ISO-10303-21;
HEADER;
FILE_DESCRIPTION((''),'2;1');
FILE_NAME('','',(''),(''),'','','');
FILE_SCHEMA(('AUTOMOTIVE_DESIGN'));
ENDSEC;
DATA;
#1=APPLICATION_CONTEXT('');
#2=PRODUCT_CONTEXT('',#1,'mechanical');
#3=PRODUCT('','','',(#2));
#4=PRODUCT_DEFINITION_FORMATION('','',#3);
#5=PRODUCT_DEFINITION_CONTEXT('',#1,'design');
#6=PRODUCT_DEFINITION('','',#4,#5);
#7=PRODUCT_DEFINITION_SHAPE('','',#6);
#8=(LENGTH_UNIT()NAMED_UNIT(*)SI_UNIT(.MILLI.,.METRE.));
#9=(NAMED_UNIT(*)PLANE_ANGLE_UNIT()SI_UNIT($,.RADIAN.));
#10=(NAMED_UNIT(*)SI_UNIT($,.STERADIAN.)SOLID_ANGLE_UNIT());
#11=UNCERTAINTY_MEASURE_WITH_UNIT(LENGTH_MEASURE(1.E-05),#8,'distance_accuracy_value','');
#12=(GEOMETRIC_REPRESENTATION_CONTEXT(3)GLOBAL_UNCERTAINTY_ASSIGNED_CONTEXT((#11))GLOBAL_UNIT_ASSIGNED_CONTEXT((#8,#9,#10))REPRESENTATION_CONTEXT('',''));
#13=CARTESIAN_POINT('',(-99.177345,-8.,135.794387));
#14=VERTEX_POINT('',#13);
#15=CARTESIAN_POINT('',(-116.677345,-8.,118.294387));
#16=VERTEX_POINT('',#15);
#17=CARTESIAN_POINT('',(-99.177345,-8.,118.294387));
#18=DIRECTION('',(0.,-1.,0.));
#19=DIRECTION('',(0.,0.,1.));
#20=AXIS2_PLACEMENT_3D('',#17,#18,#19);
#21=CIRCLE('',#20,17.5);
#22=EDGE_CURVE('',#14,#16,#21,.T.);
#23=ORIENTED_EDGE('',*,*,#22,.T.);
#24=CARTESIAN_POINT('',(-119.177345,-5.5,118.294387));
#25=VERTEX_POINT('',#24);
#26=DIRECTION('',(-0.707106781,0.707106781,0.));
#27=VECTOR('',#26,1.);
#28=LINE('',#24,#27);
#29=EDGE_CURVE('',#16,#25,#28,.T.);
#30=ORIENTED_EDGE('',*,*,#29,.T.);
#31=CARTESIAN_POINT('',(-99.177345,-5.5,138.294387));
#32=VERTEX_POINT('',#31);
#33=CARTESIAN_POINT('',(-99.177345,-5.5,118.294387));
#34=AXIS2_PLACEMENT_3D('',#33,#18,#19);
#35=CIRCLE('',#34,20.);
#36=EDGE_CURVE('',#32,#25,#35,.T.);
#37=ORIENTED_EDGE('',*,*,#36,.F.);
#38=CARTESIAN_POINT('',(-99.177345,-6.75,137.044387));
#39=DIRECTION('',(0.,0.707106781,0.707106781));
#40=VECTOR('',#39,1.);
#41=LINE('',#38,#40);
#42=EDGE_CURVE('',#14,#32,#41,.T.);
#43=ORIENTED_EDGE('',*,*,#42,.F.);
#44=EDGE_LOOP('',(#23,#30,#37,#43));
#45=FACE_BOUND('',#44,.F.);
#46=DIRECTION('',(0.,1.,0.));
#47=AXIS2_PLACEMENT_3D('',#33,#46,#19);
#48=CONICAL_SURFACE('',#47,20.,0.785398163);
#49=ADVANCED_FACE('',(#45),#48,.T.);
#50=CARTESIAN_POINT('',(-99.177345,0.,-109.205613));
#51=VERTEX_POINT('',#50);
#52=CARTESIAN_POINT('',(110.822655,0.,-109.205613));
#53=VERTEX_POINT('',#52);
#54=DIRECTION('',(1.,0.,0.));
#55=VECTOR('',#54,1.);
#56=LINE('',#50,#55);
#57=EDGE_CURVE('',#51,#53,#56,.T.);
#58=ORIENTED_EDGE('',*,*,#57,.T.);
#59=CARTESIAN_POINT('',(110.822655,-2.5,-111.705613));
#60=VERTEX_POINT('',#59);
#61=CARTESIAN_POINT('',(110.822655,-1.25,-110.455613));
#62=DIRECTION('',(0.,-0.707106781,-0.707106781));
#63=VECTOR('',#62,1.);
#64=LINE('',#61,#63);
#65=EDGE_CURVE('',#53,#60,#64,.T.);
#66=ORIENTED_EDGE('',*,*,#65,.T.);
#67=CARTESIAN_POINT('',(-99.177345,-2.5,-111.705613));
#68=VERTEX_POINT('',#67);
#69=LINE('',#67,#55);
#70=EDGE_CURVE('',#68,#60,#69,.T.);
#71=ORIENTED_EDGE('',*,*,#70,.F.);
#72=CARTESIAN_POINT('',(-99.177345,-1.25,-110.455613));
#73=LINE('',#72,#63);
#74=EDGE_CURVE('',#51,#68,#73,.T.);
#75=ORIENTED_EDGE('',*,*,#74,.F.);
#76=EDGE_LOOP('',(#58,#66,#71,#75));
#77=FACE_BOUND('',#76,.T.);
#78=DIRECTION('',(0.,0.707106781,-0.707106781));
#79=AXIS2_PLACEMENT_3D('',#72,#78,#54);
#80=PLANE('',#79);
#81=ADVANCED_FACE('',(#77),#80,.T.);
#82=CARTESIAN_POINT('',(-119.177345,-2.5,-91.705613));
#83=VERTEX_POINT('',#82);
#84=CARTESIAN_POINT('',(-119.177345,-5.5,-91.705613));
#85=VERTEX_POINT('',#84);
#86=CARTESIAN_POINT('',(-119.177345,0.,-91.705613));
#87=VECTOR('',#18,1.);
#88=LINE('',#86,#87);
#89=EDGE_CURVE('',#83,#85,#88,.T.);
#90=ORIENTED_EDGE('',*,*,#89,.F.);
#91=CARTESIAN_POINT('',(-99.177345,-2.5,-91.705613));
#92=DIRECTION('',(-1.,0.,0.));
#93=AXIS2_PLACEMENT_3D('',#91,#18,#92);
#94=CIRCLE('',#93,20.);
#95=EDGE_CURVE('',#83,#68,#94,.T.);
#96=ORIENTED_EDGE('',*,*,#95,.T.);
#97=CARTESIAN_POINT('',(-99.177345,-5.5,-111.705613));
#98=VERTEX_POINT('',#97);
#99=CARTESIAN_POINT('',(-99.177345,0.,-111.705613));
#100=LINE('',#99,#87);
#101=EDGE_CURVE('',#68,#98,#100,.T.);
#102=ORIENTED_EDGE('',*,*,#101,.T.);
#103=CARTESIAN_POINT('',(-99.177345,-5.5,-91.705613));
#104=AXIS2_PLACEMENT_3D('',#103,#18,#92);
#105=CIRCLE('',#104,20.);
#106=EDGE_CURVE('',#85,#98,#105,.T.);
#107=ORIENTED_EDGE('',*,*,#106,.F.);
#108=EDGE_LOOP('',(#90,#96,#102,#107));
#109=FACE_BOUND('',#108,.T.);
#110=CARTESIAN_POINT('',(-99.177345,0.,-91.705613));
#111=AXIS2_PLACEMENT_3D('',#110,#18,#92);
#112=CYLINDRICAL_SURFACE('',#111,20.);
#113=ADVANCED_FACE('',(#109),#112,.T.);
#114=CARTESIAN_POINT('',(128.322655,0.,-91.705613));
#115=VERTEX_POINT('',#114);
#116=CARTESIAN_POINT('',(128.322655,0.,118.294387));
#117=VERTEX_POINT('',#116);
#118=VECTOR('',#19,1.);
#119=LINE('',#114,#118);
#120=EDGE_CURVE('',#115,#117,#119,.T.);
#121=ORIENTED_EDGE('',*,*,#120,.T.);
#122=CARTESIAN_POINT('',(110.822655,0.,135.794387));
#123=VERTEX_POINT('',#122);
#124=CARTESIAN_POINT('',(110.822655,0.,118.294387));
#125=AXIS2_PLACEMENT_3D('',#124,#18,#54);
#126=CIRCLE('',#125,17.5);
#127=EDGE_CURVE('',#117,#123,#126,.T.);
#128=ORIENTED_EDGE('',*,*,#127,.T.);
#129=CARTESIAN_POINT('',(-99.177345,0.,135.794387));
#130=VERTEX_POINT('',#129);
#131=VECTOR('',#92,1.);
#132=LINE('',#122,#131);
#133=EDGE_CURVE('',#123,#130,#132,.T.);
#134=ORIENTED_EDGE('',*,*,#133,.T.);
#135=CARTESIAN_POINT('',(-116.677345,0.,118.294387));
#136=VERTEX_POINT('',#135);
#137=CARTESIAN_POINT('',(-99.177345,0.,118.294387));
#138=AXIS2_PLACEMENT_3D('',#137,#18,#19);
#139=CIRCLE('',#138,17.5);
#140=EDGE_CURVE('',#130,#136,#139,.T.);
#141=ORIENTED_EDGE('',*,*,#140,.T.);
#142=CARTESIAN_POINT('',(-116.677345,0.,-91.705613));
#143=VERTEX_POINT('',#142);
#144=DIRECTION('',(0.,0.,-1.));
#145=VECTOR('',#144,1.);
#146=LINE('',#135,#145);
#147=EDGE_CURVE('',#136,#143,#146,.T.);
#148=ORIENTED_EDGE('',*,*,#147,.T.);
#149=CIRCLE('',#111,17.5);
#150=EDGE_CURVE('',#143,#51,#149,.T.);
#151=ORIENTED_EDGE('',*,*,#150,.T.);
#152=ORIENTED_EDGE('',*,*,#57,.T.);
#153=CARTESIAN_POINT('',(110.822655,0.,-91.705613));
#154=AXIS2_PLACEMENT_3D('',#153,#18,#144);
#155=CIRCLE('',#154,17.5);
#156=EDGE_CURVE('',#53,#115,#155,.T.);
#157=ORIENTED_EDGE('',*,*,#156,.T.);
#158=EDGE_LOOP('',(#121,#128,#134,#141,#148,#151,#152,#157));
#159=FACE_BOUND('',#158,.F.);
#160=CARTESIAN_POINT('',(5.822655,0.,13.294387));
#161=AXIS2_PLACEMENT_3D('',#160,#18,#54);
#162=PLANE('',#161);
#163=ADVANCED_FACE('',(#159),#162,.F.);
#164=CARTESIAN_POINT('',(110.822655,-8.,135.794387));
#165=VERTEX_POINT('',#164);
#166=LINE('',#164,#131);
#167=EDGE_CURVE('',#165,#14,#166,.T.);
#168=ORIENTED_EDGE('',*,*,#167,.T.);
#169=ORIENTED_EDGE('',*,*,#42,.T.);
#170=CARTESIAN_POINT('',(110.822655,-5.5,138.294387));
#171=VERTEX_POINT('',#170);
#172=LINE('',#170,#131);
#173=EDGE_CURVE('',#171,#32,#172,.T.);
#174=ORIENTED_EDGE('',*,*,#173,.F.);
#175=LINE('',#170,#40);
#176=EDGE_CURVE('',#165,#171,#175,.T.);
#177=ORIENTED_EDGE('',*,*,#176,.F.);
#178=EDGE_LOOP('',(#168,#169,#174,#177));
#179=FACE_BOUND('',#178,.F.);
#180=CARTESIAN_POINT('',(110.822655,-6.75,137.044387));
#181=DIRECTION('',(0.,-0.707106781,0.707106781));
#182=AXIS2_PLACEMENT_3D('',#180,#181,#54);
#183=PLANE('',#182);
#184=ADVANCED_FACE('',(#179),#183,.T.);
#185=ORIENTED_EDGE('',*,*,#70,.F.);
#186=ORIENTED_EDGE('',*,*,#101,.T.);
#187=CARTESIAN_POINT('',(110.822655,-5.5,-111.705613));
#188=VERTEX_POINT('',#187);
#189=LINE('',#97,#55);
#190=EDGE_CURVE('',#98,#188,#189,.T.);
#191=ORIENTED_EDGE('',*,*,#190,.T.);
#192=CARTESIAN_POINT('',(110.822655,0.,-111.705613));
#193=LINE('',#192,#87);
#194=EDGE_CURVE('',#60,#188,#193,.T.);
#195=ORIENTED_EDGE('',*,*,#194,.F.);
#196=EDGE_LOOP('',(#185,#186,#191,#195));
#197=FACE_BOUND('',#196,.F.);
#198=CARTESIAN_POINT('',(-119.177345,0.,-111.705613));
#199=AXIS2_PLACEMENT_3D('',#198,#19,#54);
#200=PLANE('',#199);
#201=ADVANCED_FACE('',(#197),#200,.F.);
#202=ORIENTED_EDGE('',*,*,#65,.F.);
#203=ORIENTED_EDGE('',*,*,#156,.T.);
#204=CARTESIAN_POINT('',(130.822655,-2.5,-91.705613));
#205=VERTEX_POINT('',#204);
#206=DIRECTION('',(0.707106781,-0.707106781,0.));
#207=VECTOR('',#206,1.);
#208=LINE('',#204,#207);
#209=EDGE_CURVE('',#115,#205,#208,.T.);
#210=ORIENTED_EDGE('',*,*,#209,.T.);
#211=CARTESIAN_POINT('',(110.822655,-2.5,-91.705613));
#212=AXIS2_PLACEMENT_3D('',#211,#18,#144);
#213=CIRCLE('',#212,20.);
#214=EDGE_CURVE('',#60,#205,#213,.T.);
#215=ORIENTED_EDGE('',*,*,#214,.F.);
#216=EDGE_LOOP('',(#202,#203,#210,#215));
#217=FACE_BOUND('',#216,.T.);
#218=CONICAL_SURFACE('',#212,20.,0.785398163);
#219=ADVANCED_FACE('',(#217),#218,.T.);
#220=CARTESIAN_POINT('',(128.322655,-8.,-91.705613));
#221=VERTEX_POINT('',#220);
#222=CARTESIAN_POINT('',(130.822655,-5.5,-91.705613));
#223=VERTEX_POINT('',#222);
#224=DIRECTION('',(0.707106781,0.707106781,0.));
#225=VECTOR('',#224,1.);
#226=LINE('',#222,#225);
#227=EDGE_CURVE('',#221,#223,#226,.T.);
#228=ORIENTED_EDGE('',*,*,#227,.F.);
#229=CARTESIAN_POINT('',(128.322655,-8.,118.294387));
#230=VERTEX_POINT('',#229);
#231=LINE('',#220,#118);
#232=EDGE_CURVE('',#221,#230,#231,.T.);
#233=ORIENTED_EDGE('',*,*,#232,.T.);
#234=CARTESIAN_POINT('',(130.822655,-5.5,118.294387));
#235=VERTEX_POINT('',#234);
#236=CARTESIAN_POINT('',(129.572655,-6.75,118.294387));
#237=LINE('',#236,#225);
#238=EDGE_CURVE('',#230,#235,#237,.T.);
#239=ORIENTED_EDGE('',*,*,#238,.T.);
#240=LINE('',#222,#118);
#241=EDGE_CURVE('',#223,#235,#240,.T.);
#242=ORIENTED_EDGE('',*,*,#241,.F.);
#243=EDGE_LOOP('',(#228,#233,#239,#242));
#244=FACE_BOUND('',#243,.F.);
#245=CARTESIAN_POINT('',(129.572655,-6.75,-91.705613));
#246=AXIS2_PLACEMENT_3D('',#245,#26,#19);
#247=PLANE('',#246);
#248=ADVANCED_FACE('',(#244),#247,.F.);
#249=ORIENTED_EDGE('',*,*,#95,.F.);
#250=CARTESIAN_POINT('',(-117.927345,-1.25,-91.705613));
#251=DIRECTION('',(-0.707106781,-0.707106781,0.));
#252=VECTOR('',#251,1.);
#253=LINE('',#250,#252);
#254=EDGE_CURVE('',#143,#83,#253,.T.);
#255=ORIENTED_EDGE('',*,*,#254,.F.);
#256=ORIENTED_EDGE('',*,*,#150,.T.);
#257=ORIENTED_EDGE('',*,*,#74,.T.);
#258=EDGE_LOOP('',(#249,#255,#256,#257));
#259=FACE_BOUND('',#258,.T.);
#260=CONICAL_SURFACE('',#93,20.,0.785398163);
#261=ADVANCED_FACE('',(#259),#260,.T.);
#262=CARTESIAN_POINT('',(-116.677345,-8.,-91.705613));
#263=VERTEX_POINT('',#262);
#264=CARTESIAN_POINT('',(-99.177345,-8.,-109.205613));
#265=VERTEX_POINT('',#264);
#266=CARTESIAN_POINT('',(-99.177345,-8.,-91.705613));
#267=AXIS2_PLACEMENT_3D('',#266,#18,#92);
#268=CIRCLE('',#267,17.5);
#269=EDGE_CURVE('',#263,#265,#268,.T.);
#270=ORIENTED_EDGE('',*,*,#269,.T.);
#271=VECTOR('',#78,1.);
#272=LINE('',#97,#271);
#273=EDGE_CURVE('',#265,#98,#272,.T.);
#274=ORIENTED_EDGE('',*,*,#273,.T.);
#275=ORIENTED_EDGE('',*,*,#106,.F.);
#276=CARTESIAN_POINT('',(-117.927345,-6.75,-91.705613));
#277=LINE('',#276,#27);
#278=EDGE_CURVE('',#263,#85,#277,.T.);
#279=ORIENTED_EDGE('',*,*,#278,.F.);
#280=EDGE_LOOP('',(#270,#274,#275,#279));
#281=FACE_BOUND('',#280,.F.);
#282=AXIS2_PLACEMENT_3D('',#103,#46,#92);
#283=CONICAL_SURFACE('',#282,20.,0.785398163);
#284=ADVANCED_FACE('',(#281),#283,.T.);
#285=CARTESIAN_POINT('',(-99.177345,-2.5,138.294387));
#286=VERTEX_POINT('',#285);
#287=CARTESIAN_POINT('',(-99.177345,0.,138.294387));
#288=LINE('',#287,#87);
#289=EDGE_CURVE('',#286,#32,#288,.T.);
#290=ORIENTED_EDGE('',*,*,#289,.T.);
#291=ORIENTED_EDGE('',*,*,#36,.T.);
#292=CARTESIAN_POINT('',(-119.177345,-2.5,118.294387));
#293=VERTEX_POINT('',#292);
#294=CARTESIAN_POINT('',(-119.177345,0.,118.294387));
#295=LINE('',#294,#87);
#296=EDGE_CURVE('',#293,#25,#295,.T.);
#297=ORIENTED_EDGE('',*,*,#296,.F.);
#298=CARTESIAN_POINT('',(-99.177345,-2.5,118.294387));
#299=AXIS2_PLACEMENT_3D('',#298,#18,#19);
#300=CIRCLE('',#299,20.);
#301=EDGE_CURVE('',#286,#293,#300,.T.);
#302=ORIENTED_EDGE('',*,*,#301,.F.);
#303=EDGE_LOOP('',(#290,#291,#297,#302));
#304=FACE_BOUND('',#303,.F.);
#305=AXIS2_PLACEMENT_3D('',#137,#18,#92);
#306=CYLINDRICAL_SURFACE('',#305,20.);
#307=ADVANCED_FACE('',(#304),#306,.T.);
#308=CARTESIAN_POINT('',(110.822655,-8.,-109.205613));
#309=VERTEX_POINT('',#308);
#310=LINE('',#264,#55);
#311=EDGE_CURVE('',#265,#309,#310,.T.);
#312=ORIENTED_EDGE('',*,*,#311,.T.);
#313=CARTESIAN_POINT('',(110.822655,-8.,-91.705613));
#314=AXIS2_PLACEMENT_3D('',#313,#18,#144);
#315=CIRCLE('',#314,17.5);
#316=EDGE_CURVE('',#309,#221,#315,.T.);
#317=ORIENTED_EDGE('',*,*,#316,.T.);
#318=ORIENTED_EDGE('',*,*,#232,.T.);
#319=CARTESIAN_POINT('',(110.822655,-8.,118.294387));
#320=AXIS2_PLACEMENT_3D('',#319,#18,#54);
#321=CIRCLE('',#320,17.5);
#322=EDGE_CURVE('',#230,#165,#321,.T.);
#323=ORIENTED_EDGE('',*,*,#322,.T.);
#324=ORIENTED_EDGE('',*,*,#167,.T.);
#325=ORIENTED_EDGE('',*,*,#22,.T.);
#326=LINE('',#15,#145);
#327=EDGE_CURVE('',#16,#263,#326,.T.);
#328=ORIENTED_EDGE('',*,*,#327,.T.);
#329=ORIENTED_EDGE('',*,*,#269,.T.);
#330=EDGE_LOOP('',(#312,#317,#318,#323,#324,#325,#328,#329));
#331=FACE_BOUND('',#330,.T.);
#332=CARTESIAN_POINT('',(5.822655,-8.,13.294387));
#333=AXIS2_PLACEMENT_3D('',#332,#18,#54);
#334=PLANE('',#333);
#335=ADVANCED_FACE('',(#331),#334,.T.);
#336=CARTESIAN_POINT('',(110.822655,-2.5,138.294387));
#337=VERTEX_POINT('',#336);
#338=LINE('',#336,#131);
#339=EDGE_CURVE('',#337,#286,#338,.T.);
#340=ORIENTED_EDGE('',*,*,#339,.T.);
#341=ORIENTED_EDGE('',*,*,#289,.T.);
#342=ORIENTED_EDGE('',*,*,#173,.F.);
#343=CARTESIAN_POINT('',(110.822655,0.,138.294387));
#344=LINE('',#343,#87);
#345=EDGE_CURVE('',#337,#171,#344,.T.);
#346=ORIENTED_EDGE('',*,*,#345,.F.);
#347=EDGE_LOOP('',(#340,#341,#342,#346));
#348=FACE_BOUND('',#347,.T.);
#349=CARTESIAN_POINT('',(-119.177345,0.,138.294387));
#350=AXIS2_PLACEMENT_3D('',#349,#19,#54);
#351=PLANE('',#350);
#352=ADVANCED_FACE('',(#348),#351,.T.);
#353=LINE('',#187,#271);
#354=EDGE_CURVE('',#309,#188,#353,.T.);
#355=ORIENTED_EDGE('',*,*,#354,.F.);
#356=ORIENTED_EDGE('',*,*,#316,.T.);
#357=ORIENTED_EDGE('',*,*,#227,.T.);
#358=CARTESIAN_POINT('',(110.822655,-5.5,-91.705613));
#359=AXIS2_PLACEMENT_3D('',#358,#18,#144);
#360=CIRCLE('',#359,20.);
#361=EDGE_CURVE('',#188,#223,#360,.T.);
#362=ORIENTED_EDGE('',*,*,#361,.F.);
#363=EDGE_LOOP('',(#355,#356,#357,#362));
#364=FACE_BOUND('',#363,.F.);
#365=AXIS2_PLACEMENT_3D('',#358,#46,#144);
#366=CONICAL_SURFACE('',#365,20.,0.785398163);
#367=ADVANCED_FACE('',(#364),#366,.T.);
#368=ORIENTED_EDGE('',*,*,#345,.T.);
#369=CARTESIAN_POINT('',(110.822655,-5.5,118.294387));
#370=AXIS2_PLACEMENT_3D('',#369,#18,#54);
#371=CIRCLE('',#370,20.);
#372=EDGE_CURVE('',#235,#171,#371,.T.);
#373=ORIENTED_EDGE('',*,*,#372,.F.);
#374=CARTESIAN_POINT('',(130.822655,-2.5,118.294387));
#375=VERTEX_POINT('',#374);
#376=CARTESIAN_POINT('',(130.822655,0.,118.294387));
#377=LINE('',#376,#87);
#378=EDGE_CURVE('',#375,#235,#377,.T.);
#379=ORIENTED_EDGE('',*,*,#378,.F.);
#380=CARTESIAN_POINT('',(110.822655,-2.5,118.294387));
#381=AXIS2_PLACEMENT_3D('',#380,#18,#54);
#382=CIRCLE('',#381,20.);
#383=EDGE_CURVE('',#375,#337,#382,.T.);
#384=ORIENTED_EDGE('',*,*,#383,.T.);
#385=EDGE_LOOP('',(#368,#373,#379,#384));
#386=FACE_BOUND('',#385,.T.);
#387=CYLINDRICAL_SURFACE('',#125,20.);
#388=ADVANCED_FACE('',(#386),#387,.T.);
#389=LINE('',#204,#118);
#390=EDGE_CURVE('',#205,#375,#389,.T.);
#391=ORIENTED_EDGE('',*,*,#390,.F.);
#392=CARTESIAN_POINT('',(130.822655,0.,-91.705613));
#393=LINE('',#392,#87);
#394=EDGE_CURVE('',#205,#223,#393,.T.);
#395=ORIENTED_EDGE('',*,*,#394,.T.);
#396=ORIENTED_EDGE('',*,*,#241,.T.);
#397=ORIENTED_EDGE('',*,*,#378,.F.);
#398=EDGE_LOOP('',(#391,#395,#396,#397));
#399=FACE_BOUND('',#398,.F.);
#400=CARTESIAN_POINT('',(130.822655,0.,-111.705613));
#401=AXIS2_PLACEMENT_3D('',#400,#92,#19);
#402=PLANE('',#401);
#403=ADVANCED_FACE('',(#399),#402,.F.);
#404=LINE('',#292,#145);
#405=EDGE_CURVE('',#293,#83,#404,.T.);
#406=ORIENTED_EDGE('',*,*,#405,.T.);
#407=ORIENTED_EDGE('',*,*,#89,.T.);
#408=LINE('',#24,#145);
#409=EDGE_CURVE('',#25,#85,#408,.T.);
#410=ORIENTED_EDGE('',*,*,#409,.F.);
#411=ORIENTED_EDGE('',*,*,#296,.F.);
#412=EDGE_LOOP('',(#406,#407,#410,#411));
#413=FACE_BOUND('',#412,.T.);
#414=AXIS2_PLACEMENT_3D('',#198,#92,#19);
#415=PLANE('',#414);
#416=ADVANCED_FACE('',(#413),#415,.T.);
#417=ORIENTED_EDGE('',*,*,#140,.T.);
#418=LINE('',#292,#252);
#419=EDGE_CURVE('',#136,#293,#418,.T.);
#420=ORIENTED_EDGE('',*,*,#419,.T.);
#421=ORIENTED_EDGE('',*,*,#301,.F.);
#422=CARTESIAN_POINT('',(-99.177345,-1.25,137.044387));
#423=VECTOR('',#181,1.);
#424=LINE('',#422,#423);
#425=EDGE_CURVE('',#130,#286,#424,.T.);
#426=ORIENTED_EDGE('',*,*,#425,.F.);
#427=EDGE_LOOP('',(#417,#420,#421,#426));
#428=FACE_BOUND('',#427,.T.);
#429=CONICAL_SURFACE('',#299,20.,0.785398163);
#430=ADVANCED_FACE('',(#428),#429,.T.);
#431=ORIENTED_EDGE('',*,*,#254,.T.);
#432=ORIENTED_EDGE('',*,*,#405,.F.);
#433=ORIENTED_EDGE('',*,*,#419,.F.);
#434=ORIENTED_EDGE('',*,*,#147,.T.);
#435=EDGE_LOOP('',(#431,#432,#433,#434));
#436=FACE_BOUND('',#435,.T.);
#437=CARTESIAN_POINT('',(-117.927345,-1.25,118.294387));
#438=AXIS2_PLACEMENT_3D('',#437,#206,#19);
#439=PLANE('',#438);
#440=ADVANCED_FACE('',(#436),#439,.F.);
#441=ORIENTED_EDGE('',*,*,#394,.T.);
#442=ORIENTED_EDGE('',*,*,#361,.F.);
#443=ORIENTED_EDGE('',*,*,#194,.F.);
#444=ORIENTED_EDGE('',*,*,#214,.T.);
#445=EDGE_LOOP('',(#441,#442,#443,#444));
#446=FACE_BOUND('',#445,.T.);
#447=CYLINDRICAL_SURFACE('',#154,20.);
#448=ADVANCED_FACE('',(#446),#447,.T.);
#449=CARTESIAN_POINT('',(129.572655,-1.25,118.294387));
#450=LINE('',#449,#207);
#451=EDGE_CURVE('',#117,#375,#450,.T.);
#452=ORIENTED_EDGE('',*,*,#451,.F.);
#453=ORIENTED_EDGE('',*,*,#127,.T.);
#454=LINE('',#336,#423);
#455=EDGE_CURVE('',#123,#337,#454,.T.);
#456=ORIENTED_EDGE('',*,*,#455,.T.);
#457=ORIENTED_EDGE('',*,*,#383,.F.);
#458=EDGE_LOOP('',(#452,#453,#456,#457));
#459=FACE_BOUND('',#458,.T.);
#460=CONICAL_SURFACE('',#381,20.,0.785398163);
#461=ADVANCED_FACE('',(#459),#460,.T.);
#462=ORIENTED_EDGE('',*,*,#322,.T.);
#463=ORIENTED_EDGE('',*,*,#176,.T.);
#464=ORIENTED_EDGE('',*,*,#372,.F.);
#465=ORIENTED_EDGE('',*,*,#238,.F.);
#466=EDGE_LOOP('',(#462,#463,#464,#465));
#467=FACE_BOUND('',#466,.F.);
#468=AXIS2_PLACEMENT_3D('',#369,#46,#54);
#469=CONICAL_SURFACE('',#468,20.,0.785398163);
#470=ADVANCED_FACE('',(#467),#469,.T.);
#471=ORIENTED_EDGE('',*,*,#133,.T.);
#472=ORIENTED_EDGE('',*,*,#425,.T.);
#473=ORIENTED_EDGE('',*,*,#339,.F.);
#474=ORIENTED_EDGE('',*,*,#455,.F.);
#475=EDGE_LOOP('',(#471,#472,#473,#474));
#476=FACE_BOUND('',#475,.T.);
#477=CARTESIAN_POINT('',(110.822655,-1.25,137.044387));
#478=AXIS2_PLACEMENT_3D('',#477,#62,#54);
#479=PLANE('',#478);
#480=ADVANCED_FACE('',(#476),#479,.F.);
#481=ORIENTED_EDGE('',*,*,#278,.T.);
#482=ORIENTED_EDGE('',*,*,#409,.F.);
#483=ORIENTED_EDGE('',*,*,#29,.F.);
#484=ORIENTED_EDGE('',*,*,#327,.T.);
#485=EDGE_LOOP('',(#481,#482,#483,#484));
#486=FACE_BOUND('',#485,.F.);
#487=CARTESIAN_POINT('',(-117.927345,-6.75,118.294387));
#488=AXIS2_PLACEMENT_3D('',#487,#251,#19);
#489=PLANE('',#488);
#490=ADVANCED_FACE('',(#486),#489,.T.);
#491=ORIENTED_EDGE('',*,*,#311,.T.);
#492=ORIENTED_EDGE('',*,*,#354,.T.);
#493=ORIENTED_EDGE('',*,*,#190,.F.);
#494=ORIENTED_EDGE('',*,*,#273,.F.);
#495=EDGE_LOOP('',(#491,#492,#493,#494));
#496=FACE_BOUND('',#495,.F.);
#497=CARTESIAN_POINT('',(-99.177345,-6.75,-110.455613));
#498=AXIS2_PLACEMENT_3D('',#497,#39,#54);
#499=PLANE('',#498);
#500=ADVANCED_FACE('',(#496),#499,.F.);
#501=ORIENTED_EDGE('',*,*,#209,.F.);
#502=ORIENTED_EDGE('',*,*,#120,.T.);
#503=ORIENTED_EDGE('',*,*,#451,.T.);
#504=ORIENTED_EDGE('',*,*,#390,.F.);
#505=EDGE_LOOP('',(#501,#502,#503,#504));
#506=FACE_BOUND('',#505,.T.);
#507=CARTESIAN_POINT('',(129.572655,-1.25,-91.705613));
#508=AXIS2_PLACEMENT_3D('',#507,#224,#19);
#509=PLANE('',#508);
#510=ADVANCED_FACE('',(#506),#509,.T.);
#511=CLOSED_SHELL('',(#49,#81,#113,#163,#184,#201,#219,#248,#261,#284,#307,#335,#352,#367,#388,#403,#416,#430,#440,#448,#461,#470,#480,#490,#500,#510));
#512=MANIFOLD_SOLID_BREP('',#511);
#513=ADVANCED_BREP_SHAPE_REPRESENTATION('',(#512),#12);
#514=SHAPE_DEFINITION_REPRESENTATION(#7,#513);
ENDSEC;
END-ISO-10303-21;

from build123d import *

# Parameters (mm, degrees)
F0_W     = 250
F0_H     = 250
F1_DEPTH = 8
F2_R     = 20
F3_SIZE  = 2.5


with BuildPart() as f1:
    # F0 (on Front) → F1 (new body)
    with BuildSketch(Plane.XZ):
        with Locations((5.8226548135, 13.2943871957)):
            Rectangle(F0_W, F0_H)
    extrude(amount=F1_DEPTH)

    # F2
    f2_edges = [f1.edges().sort_by_distance(p)[0] for p in [
        (-119.177345, -4, -111.705613),
        (130.822655, -4, -111.705613),
        (130.822655, -4, 138.294387),
        (-119.177345, -4, 138.294387),
    ]]
    fillet(f2_edges, radius=F2_R)

    # F3
    f3_edges = [f1.edges().sort_by_distance(p)[0] for p in [
        (5.822655, 0, -111.705613),
        (-113.319481, 0, -105.847748),
        (-119.177345, 0, 13.294387),
        (-113.319481, 0, 132.436523),
        (5.822655, 0, 138.294387),
        (124.96479, 0, 132.436523),
        (124.96479, 0, -105.847748),
        (130.822655, 0, 13.294387),
        (124.96479, -8, -105.847748),
        (5.822655, -8, -111.705613),
    ]]
    chamfer(f3_edges, length=F3_SIZE)


solid = f1.part
